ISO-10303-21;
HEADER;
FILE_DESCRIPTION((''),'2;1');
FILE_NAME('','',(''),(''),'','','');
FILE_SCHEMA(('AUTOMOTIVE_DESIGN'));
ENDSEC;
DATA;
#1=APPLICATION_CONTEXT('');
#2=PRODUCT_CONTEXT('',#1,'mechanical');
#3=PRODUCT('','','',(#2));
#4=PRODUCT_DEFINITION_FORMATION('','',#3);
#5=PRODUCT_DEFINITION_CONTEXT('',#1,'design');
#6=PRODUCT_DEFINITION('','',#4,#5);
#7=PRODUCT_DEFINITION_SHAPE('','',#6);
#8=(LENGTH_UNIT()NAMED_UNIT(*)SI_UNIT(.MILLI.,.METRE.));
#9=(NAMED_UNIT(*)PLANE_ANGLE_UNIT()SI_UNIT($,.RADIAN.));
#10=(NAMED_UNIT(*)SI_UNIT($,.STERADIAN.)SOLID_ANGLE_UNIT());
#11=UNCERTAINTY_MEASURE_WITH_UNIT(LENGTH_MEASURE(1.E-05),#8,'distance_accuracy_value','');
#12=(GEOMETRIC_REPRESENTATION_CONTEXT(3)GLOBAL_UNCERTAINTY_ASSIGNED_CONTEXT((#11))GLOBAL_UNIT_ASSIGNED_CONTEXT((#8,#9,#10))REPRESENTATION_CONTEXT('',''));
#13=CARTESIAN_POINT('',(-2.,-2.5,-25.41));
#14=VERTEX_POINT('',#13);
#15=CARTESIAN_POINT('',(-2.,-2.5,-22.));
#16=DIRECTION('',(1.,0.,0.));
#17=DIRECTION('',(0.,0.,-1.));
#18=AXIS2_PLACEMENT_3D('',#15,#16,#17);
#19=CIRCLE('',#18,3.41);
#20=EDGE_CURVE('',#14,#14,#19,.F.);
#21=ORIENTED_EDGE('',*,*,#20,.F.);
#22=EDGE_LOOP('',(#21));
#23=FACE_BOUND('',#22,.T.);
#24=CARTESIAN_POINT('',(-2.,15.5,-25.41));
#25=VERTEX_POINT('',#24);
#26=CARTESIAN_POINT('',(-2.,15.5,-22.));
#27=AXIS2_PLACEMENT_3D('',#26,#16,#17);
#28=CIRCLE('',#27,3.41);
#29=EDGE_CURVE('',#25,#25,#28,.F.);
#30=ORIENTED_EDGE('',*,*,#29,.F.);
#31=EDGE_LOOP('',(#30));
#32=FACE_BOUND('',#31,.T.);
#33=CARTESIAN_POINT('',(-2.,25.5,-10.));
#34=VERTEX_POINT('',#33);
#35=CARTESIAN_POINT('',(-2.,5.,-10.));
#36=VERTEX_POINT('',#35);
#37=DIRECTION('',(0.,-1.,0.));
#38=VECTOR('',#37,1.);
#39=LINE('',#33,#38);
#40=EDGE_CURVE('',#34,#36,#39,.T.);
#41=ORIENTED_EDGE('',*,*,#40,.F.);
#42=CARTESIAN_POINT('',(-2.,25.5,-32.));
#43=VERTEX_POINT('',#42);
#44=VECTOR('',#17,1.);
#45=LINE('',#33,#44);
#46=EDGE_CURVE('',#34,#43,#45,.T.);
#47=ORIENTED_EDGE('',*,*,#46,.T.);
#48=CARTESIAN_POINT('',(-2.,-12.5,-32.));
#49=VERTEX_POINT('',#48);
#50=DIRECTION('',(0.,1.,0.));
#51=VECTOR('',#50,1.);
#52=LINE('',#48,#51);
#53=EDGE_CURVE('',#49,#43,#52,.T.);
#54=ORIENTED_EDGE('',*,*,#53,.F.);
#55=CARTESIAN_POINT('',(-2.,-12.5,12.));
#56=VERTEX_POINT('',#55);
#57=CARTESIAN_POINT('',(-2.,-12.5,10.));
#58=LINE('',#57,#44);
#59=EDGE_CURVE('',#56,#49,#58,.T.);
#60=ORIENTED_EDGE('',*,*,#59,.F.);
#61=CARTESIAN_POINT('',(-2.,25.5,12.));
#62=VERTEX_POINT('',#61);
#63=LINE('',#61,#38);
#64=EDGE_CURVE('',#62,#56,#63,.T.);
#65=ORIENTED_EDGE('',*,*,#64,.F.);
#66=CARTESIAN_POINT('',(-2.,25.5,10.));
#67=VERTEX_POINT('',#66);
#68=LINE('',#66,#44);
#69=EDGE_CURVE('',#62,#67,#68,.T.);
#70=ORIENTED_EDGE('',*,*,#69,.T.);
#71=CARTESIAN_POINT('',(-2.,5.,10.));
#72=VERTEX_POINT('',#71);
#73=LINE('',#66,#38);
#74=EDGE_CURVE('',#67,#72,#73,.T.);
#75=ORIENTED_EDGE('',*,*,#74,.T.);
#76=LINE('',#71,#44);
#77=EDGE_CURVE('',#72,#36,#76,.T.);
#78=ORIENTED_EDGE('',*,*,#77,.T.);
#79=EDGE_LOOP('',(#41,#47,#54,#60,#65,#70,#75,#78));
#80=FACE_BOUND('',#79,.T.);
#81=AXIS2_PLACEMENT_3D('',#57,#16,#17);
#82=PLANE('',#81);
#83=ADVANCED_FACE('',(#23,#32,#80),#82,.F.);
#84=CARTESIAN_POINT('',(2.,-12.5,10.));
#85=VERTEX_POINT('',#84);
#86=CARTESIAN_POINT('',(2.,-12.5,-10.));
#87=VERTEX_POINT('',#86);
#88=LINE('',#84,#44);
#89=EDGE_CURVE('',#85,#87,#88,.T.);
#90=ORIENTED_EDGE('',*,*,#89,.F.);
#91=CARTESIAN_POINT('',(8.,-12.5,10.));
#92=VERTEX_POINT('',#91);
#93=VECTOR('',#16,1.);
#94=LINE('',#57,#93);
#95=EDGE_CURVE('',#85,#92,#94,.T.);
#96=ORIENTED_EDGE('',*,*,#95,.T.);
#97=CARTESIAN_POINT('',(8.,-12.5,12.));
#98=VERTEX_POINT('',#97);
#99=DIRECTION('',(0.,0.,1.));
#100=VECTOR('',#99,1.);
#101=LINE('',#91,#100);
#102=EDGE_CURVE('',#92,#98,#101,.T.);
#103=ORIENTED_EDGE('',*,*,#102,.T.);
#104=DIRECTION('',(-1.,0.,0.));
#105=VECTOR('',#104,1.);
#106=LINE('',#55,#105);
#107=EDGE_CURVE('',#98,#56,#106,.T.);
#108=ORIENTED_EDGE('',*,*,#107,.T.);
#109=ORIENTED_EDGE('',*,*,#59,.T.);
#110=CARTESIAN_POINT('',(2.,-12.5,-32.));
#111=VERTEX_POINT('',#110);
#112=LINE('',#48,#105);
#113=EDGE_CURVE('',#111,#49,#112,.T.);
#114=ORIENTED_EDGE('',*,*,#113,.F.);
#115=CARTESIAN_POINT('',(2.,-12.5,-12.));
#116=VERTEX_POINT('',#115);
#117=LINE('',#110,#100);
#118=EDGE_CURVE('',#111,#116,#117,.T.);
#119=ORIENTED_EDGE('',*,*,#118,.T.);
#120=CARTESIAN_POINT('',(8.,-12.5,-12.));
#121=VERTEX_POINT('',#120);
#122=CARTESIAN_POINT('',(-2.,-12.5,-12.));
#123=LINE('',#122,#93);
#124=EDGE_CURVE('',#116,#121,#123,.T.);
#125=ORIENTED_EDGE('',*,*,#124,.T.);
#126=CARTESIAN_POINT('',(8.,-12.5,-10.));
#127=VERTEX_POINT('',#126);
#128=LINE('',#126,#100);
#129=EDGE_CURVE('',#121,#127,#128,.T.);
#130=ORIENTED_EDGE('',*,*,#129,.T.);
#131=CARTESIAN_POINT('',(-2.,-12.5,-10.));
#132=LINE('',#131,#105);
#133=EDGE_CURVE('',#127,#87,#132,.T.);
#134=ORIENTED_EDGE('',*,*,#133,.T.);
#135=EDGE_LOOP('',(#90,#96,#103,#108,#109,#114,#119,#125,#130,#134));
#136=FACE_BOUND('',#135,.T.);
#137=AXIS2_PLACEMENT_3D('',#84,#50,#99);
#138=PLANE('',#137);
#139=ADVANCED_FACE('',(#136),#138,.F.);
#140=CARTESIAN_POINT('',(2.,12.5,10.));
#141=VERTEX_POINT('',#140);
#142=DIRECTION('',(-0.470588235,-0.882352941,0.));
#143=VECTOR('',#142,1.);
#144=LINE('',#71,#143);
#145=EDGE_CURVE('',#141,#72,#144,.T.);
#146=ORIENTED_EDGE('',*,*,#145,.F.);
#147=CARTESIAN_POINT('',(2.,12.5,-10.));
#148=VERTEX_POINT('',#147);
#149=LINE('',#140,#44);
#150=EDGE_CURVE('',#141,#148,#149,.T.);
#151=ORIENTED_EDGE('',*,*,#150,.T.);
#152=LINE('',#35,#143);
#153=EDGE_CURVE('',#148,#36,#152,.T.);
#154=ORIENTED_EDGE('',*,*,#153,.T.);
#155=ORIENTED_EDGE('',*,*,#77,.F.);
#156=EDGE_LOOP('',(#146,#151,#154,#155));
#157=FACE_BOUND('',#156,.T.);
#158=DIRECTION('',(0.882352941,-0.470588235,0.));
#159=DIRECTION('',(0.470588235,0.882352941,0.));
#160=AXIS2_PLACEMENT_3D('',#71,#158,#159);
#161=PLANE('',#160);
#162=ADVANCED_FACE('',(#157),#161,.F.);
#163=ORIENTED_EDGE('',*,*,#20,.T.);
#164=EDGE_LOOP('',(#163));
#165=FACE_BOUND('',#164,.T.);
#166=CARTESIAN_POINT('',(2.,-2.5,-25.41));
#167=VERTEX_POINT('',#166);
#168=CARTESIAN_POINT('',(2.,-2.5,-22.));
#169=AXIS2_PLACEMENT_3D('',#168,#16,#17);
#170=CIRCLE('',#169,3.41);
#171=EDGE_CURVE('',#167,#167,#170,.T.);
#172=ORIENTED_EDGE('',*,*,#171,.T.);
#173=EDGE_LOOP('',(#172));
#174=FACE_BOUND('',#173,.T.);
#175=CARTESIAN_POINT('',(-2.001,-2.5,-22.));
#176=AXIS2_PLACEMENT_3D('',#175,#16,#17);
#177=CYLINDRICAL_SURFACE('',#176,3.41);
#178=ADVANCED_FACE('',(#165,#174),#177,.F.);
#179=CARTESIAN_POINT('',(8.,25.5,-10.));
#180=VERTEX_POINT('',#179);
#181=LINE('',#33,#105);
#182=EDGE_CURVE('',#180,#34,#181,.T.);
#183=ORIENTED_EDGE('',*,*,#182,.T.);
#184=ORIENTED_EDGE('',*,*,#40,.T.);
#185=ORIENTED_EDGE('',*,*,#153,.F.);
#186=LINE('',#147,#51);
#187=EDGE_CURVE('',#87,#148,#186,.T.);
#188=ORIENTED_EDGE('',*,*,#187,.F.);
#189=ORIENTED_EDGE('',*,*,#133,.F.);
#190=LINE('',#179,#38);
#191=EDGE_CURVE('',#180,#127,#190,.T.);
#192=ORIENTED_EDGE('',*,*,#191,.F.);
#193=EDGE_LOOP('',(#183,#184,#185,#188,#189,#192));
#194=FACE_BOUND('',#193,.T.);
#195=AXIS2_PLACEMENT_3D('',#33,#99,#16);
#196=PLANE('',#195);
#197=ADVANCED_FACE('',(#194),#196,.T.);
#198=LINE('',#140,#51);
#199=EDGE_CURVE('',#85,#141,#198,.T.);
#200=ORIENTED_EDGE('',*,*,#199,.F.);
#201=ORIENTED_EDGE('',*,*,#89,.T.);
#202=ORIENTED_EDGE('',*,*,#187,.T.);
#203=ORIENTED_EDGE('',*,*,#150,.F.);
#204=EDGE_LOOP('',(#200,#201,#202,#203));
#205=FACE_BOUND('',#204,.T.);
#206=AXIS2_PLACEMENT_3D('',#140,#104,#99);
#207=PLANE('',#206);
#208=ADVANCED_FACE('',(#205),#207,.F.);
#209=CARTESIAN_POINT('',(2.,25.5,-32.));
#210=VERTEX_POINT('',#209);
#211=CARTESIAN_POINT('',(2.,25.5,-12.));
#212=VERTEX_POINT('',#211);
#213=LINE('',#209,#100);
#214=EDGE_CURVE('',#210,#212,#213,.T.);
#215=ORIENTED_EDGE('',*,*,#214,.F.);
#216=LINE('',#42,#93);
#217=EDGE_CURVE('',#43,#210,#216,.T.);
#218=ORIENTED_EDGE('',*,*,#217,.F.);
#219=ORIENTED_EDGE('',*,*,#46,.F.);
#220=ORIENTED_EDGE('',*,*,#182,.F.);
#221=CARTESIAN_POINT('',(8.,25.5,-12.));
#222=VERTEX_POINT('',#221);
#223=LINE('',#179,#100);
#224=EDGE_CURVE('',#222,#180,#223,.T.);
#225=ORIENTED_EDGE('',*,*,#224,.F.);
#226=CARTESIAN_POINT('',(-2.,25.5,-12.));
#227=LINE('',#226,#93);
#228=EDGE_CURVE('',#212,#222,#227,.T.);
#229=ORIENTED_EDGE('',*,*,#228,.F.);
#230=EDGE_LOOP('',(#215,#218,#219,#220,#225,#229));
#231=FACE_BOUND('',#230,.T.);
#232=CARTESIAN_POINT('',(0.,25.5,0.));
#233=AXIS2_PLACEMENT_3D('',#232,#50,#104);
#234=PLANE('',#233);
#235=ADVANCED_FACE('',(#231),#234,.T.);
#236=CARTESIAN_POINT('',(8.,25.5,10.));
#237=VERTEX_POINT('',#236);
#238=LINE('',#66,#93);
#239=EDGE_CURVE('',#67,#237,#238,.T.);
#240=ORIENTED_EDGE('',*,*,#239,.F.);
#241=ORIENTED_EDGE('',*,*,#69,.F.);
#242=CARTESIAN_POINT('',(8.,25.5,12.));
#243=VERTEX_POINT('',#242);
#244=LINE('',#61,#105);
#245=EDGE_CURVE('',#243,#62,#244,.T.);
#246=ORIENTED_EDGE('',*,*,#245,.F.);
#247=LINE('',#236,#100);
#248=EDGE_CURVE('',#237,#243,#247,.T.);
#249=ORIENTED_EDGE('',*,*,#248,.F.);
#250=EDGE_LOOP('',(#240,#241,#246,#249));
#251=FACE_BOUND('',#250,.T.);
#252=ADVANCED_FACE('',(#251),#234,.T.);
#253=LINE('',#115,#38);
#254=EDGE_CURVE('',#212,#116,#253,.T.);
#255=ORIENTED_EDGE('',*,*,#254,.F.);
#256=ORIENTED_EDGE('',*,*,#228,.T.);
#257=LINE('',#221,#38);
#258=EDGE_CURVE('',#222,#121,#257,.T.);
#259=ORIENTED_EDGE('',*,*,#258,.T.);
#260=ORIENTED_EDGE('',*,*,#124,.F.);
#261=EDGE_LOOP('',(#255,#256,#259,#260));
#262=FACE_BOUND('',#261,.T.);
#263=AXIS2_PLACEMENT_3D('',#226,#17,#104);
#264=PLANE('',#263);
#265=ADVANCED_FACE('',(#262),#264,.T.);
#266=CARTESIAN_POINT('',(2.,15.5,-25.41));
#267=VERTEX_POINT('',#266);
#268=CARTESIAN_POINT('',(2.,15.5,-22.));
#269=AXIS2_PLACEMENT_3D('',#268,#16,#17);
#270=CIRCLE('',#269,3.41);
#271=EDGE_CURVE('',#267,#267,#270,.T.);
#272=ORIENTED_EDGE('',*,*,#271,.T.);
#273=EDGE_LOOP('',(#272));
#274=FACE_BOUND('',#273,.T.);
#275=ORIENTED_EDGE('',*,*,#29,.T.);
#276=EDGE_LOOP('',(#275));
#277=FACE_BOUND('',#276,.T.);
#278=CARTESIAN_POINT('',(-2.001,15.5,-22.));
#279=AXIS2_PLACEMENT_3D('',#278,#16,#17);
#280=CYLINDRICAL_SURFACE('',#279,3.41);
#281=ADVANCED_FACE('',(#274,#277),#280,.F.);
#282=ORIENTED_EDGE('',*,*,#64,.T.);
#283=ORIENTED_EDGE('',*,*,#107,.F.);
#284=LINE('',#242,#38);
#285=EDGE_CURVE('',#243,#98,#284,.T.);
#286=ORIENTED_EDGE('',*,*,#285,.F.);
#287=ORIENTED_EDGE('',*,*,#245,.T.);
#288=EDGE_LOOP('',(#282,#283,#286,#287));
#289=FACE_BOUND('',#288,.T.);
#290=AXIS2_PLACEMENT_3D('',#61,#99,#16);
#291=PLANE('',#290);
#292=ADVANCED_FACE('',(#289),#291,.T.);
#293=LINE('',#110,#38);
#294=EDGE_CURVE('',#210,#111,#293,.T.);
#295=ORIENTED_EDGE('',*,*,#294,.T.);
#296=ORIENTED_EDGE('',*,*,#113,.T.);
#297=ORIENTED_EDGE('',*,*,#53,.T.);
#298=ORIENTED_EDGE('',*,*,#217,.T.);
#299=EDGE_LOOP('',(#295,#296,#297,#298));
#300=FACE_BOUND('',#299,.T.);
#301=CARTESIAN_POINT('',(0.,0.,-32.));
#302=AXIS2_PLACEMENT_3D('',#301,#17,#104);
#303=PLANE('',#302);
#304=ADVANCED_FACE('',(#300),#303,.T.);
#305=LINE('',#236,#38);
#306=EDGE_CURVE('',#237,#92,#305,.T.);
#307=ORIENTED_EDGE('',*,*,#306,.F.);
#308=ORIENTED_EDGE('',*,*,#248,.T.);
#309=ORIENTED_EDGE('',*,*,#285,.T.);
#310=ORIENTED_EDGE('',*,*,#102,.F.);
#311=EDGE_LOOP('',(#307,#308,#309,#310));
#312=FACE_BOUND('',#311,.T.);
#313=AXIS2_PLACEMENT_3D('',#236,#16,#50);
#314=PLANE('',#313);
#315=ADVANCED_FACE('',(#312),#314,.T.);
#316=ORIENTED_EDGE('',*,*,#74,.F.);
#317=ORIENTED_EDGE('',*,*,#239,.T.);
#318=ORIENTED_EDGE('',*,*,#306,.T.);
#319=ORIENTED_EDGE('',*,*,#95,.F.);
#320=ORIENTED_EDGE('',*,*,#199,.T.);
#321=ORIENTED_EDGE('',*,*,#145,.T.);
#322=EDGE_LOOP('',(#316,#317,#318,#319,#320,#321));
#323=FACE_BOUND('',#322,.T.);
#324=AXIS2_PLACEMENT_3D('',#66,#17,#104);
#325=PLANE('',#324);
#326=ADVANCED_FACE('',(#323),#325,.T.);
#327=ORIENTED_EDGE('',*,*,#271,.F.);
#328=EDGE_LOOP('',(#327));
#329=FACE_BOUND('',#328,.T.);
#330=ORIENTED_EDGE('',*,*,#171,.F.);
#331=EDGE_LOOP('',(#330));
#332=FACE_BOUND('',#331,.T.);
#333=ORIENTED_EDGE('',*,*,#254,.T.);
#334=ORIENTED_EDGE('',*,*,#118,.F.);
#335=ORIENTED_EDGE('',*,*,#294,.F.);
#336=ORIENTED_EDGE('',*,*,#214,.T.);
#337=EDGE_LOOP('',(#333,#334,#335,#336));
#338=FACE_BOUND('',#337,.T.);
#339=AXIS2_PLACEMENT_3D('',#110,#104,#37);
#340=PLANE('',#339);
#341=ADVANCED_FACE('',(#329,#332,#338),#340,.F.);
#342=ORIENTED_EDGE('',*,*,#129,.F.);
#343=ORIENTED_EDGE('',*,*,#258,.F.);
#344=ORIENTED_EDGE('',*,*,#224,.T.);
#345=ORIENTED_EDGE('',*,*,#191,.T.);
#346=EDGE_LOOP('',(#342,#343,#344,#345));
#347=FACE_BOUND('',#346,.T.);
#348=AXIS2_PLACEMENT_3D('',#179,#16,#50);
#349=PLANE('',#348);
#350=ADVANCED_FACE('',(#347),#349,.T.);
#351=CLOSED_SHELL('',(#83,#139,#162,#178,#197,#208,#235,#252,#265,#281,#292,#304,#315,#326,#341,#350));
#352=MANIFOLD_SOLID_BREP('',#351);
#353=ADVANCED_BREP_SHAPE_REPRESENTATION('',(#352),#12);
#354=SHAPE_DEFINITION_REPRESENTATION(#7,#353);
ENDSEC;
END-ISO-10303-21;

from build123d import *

# Parameters (mm, degrees)
BOSS_EXTRUDE1_DEPTH = 10
SKETCH2_W           = 10
SKETCH2_H           = 2
BOSS_EXTRUDE2_DEPTH = 38
SKETCH4_W           = 4
SKETCH4_H           = 38
BOSS_EXTRUDE3_DEPTH = 20
CUT_EXTRUDE1_REACH  = 43.355
SKETCH3_R           = 3.41


with BuildPart() as part:
    # Sketch1 → Boss-Extrude1 (new, symmetric)
    with BuildSketch(Plane.XY):
        Polygon((-2, 5), (2, 12.5), (2, -12.5), (-2, -12.5), align=None)
    extrude(amount=BOSS_EXTRUDE1_DEPTH, both=True)

    # Sketch2 → Boss-Extrude2 (add)
    with BuildSketch(Plane.XZ.offset(12.5)):
        with Locations((3, 11)):
            Rectangle(SKETCH2_W, SKETCH2_H)
        with Locations((3, -11)):
            Rectangle(SKETCH2_W, SKETCH2_H)
    extrude(amount=-BOSS_EXTRUDE2_DEPTH)

    # Sketch4 → Boss-Extrude3 (add)
    with BuildSketch(Plane(origin=(0, 0, -12), x_dir=(-1, 0, 0), z_dir=(0, 0, -1))):
        with Locations((0, 6.5)):
            Rectangle(SKETCH4_W, SKETCH4_H)
    extrude(amount=BOSS_EXTRUDE3_DEPTH)

    # Sketch3 → Cut-Extrude1 (cut, up to next)
    with BuildSketch(Plane(origin=(2, 0, 0), x_dir=(0, 0, -1), z_dir=(1, 0, 0)), mode=Mode.PRIVATE) as cut_extrude1_sk1:
        with Locations((22, -2.5)):
            Circle(SKETCH3_R)
    cut_extrude1_tool1 = extrude(cut_extrude1_sk1.sketch, amount=-CUT_EXTRUDE1_REACH, mode=Mode.PRIVATE) & part.part
    # Sketch3 → Cut-Extrude1 (cut, up to next)
    with BuildSketch(Plane(origin=(2, 0, 0), x_dir=(0, 0, -1), z_dir=(1, 0, 0)), mode=Mode.PRIVATE) as cut_extrude1_sk2:
        with Locations((22, 15.5)):
            Circle(SKETCH3_R)
    cut_extrude1_tool2 = extrude(cut_extrude1_sk2.sketch, amount=-CUT_EXTRUDE1_REACH, mode=Mode.PRIVATE) & part.part
    add(cut_extrude1_tool1.solids().sort_by_distance((2, -2.5, -22))[0], mode=Mode.SUBTRACT)
    add(cut_extrude1_tool2.solids().sort_by_distance((2, 15.5, -22))[0], mode=Mode.SUBTRACT)


solid = part.part
